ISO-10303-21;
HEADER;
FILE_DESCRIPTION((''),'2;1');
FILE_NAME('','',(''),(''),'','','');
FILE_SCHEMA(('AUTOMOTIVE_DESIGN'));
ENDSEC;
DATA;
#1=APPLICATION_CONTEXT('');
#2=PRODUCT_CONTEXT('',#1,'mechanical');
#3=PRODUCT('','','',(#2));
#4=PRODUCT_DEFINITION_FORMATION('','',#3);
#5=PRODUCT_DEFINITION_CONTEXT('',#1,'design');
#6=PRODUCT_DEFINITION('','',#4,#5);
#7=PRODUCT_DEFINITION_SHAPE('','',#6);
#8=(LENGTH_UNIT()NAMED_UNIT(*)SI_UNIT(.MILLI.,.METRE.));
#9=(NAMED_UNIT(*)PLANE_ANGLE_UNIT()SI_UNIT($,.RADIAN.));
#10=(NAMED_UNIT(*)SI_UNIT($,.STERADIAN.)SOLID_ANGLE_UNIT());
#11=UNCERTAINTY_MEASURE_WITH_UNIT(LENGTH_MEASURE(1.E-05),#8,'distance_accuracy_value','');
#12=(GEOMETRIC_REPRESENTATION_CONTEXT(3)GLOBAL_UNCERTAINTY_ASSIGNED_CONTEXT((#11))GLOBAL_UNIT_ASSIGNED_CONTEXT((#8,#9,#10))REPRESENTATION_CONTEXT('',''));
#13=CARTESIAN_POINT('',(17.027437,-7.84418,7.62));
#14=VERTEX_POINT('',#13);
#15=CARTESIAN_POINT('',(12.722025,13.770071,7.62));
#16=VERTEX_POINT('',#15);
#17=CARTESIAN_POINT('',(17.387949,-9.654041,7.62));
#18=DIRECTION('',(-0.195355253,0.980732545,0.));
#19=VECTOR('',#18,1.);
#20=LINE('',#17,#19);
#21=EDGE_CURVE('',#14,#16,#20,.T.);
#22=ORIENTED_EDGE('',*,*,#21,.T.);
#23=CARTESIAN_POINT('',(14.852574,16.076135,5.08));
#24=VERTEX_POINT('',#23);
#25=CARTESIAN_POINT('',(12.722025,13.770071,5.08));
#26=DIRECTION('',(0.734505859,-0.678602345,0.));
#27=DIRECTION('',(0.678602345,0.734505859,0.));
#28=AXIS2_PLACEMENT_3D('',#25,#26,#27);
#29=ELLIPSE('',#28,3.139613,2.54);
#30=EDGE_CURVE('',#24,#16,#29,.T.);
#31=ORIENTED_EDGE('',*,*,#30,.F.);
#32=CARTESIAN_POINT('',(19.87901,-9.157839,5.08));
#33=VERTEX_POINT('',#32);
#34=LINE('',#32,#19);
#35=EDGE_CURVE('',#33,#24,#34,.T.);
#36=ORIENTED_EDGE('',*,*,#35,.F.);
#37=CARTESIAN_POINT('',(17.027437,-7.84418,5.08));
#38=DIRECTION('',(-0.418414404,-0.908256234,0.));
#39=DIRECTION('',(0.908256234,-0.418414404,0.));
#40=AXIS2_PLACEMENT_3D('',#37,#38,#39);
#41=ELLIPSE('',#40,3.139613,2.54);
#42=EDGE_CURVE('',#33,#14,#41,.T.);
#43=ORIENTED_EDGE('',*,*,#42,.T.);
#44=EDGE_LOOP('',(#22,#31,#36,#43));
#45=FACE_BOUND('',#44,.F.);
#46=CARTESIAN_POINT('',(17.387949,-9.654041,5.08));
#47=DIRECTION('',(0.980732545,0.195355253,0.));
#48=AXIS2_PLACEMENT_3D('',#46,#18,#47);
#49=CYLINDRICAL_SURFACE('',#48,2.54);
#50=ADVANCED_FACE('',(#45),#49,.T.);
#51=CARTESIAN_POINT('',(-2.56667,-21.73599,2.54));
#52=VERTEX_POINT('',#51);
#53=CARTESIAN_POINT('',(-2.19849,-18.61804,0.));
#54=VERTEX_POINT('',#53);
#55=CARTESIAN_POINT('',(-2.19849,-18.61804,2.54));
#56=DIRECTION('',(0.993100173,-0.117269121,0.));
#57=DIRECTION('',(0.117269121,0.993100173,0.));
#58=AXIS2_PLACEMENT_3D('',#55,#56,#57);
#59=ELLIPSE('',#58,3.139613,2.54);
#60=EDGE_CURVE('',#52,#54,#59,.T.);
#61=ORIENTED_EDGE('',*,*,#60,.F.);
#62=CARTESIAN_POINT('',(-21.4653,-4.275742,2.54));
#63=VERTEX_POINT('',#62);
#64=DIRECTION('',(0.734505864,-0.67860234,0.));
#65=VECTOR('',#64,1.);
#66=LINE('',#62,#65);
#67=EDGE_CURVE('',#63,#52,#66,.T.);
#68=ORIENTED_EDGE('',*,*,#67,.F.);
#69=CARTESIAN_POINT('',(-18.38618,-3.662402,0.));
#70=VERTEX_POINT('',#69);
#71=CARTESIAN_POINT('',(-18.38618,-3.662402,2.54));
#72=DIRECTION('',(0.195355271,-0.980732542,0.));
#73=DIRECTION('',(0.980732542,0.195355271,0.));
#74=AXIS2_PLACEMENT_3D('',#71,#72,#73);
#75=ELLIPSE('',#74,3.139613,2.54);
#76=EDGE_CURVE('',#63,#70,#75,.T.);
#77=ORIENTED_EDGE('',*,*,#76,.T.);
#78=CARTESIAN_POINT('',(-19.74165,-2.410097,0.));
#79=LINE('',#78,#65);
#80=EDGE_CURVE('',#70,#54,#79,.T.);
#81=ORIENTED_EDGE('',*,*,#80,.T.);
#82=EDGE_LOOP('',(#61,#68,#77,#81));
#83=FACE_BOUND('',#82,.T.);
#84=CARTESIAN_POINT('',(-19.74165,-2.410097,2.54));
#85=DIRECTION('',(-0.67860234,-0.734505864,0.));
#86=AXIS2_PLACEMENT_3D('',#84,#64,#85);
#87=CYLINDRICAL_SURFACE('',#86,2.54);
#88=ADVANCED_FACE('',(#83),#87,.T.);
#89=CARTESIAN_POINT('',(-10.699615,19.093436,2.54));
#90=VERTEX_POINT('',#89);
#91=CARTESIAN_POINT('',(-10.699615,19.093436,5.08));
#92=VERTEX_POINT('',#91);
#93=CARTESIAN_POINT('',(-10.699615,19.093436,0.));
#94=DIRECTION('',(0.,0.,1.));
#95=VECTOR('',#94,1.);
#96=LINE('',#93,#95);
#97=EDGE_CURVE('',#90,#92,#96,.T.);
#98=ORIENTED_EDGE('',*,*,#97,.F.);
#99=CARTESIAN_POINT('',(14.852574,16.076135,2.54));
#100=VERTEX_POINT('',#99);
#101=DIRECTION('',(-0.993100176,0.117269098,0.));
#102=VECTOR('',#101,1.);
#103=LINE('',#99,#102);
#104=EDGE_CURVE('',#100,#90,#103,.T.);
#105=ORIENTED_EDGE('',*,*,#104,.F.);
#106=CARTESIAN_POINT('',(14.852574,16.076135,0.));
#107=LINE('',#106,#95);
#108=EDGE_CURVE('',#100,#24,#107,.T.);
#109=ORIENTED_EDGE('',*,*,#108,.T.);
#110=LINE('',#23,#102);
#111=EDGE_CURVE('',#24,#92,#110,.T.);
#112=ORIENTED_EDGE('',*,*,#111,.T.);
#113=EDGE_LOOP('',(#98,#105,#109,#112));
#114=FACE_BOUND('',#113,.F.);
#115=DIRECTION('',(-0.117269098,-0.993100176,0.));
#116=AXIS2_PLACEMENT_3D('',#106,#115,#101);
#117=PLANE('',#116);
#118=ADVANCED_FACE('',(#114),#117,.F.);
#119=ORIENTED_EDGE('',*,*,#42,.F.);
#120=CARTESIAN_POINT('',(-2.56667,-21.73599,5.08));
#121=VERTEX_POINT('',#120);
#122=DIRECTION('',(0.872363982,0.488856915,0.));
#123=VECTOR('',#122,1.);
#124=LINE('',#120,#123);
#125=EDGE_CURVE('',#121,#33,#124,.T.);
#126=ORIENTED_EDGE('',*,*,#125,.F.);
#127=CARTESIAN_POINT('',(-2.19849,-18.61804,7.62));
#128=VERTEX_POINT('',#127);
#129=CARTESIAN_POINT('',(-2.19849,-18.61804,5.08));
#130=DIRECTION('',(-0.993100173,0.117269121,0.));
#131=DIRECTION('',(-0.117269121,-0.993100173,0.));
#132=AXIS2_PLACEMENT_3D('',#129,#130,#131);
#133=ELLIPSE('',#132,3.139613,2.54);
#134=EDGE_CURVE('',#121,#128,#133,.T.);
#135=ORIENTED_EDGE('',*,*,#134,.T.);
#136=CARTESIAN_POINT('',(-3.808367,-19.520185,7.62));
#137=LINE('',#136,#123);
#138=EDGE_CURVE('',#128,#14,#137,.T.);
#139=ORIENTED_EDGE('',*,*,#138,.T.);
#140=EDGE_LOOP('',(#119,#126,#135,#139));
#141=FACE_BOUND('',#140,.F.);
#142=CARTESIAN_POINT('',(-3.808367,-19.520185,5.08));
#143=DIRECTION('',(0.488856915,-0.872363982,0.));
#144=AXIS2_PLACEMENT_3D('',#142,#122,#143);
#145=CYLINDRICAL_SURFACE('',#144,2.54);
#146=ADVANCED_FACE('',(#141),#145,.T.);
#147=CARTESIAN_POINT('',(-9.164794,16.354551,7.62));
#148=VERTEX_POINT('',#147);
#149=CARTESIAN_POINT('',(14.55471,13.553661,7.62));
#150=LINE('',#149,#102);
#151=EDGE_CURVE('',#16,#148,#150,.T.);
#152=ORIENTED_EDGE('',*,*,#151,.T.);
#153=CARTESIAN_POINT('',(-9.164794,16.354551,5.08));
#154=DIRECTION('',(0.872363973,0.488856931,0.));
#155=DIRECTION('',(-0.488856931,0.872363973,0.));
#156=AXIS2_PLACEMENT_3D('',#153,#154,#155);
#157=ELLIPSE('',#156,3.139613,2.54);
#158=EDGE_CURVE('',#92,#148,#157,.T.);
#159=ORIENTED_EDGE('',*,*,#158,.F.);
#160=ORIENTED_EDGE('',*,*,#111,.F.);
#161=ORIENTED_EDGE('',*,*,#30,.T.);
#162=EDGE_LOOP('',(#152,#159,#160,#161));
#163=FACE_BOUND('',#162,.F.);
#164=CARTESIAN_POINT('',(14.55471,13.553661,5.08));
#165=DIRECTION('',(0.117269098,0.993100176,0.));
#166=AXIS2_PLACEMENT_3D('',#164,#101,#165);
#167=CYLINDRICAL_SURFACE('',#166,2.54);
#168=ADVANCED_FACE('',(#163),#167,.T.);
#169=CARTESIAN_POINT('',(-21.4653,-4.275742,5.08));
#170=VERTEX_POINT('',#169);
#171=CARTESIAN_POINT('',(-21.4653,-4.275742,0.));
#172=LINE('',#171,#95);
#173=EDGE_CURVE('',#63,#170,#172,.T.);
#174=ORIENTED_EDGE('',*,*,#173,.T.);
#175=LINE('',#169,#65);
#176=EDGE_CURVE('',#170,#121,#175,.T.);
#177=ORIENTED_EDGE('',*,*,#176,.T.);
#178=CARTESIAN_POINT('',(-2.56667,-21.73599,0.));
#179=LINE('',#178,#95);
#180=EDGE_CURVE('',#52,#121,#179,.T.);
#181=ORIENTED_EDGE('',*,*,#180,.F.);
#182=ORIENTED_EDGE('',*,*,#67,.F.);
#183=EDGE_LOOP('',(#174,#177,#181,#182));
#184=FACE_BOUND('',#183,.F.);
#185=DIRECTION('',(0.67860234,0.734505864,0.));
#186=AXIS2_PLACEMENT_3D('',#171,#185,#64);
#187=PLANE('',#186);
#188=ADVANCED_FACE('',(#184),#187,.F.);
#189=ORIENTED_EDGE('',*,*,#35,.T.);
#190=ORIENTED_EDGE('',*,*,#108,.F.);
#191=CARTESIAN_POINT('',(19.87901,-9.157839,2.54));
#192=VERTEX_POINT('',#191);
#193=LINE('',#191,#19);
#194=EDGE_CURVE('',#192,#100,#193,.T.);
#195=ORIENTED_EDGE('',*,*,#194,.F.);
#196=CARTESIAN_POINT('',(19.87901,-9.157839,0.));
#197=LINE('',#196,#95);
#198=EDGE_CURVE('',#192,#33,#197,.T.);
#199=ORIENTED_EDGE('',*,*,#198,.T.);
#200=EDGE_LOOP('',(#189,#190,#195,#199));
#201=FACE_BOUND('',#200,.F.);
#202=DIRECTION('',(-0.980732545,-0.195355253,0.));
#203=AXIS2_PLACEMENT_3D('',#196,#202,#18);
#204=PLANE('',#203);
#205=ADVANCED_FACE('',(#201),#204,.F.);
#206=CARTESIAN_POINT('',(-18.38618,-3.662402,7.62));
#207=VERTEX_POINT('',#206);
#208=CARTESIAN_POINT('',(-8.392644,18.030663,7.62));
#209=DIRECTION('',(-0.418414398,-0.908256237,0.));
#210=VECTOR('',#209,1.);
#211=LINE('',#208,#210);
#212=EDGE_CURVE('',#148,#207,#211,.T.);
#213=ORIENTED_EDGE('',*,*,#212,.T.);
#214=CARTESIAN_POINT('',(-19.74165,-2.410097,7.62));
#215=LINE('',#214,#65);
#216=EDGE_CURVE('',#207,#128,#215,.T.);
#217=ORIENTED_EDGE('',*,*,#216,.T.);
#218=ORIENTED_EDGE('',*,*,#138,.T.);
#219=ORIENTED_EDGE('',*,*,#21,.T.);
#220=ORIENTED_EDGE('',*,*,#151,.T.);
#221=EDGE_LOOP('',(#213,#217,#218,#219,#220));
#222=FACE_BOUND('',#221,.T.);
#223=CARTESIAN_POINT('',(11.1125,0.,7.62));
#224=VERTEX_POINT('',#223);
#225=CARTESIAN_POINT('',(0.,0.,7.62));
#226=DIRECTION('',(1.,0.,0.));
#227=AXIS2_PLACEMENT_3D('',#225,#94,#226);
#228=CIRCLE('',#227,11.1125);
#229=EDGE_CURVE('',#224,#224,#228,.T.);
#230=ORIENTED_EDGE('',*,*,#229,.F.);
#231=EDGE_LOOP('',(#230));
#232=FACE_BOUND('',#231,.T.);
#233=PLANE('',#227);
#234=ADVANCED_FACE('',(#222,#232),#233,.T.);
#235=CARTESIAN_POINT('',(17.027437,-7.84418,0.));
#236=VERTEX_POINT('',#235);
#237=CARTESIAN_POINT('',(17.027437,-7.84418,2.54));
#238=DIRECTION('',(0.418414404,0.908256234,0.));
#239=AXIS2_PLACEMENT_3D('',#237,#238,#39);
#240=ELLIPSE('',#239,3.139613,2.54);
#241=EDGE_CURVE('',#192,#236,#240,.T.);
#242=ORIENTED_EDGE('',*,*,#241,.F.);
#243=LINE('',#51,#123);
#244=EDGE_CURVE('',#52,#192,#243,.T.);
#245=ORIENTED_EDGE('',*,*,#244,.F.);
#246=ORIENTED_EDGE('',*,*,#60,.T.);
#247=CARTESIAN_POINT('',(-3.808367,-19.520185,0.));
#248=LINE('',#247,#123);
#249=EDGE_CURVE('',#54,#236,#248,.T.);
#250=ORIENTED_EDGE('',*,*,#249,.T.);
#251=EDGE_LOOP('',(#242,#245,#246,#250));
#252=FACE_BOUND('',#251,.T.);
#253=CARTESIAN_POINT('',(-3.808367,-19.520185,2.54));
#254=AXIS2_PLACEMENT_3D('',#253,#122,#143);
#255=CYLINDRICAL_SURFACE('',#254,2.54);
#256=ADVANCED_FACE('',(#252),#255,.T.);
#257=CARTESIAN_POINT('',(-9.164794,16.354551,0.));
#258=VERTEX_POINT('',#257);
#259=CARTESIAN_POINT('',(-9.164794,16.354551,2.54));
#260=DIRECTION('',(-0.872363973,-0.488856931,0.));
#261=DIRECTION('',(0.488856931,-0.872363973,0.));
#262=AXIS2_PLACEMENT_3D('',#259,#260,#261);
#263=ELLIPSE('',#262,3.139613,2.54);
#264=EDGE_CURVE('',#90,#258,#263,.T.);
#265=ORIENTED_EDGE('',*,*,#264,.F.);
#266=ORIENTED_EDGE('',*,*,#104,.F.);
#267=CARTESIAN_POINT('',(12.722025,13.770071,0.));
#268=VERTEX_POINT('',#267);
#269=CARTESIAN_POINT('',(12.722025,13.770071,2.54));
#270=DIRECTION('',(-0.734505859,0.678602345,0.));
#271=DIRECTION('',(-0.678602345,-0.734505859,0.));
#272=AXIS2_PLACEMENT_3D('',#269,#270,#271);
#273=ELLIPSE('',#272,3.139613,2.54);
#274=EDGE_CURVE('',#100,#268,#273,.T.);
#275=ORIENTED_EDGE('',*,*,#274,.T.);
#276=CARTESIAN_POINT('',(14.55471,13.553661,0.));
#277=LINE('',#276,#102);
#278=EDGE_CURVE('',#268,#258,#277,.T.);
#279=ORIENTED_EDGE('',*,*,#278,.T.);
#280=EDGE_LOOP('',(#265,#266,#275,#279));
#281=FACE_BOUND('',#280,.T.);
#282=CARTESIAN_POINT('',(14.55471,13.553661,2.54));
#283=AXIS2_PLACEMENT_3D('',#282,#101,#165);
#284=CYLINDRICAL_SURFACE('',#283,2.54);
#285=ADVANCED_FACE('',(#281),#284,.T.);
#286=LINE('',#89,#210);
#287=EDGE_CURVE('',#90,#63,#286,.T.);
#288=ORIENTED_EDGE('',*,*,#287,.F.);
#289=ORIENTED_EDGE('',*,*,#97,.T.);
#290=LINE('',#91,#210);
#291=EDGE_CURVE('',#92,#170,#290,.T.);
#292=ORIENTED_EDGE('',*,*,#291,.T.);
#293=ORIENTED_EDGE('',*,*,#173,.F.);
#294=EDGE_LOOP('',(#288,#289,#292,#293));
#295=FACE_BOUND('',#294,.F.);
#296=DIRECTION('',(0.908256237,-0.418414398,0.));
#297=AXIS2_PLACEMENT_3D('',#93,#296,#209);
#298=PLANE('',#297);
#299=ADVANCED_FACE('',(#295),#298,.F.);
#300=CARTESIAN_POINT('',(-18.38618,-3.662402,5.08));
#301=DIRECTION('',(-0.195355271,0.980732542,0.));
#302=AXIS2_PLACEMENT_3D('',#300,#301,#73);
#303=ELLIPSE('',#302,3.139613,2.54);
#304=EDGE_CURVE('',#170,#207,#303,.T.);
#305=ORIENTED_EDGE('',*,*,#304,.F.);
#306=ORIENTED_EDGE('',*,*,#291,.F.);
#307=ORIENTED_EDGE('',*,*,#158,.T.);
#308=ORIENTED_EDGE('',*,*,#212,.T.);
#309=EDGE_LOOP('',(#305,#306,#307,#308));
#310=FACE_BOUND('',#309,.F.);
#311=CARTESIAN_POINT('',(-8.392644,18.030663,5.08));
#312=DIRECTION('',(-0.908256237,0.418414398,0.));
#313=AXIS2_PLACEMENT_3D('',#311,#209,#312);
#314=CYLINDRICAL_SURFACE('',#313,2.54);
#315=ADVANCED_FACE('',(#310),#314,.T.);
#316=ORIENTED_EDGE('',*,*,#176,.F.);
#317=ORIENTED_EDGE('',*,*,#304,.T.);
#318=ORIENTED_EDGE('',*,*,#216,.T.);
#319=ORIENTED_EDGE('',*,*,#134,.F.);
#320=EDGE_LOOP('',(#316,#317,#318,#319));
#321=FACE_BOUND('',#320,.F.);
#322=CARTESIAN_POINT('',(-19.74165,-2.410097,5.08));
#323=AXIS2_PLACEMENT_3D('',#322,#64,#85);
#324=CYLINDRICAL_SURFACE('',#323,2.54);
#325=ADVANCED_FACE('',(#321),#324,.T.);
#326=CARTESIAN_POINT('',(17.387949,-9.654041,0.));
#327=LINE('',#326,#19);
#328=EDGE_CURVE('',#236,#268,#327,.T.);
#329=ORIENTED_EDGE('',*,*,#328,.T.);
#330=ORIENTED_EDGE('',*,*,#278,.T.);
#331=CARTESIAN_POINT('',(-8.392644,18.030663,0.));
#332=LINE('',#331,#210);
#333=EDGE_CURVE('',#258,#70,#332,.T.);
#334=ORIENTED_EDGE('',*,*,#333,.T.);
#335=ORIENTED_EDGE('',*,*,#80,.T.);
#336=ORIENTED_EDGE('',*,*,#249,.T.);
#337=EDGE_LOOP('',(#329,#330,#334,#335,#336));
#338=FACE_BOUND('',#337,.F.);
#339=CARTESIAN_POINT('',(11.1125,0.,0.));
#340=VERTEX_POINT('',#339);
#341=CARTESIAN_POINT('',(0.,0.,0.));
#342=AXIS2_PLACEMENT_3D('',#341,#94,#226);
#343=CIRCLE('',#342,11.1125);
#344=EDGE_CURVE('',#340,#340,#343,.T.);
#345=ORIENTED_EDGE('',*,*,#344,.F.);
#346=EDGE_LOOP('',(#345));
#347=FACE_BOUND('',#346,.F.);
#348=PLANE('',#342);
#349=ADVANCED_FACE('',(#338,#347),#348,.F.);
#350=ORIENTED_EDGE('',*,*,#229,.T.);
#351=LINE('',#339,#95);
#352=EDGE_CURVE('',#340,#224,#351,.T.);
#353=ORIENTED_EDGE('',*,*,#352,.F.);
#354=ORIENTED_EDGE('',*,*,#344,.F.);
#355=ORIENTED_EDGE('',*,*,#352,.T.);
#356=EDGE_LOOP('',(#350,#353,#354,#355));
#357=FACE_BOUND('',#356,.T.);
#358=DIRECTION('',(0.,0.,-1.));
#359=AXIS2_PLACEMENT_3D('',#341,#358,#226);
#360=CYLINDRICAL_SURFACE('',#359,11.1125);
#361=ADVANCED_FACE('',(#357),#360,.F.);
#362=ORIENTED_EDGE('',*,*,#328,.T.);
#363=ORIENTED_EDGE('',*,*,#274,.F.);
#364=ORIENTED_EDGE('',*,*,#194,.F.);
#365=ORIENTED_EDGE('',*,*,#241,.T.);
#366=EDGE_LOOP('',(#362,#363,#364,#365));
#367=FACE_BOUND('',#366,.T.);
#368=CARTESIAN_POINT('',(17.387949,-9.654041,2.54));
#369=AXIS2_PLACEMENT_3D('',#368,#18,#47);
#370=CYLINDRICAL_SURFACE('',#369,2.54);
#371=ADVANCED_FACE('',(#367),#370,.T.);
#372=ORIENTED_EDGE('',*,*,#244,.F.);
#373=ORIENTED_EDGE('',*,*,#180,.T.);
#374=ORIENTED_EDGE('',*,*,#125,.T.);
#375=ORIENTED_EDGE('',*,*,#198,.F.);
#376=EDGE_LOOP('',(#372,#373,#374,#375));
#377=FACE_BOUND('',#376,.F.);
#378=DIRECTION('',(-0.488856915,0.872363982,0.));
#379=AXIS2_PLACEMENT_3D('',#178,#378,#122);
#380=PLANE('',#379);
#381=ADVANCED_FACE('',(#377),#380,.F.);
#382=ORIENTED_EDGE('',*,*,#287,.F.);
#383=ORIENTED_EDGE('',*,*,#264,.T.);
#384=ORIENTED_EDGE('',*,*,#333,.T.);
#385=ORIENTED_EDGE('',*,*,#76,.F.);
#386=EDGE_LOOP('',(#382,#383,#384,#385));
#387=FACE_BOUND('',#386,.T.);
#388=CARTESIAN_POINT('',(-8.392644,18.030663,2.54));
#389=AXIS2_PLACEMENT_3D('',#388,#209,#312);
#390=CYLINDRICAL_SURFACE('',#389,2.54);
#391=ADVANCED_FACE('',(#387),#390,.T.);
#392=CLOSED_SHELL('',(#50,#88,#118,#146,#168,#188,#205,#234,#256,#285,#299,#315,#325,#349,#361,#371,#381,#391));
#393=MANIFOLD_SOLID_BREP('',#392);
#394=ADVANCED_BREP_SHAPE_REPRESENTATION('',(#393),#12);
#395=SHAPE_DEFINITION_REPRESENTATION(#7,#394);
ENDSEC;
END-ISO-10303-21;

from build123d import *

# Parameters (mm, degrees)
F0_R     = 11.1125
F1_DEPTH = 7.62
F2_R     = 2.54


with BuildPart() as f1:
    # F0 (on Top) → F1 (new body)
    with BuildSketch(Plane.XY):
        Polygon((-2.56667, -21.73599), (19.87901, -9.157839), (14.852574, 16.076135), (-10.699615, 19.093436), (-21.4653, -4.275742), align=None)
        Circle(F0_R, mode=Mode.SUBTRACT)
    extrude(amount=F1_DEPTH)

    # F2
    f2_edges = [f1.edges().sort_by_distance(p)[0] for p in [
        (-12.015985, -13.005866, 7.62),
        (8.65617, -15.446914, 7.62),
        (17.365792, 3.459148, 7.62),
        (2.07648, 17.584785, 7.62),
        (-16.082457, 7.408847, 7.62),
        (8.65617, -15.446914, 0),
        (-12.015985, -13.005866, 0),
        (-16.082457, 7.408847, 0),
        (2.07648, 17.584785, 0),
        (17.365792, 3.459148, 0),
    ]]
    fillet(f2_edges, radius=F2_R)


solid = f1.part
